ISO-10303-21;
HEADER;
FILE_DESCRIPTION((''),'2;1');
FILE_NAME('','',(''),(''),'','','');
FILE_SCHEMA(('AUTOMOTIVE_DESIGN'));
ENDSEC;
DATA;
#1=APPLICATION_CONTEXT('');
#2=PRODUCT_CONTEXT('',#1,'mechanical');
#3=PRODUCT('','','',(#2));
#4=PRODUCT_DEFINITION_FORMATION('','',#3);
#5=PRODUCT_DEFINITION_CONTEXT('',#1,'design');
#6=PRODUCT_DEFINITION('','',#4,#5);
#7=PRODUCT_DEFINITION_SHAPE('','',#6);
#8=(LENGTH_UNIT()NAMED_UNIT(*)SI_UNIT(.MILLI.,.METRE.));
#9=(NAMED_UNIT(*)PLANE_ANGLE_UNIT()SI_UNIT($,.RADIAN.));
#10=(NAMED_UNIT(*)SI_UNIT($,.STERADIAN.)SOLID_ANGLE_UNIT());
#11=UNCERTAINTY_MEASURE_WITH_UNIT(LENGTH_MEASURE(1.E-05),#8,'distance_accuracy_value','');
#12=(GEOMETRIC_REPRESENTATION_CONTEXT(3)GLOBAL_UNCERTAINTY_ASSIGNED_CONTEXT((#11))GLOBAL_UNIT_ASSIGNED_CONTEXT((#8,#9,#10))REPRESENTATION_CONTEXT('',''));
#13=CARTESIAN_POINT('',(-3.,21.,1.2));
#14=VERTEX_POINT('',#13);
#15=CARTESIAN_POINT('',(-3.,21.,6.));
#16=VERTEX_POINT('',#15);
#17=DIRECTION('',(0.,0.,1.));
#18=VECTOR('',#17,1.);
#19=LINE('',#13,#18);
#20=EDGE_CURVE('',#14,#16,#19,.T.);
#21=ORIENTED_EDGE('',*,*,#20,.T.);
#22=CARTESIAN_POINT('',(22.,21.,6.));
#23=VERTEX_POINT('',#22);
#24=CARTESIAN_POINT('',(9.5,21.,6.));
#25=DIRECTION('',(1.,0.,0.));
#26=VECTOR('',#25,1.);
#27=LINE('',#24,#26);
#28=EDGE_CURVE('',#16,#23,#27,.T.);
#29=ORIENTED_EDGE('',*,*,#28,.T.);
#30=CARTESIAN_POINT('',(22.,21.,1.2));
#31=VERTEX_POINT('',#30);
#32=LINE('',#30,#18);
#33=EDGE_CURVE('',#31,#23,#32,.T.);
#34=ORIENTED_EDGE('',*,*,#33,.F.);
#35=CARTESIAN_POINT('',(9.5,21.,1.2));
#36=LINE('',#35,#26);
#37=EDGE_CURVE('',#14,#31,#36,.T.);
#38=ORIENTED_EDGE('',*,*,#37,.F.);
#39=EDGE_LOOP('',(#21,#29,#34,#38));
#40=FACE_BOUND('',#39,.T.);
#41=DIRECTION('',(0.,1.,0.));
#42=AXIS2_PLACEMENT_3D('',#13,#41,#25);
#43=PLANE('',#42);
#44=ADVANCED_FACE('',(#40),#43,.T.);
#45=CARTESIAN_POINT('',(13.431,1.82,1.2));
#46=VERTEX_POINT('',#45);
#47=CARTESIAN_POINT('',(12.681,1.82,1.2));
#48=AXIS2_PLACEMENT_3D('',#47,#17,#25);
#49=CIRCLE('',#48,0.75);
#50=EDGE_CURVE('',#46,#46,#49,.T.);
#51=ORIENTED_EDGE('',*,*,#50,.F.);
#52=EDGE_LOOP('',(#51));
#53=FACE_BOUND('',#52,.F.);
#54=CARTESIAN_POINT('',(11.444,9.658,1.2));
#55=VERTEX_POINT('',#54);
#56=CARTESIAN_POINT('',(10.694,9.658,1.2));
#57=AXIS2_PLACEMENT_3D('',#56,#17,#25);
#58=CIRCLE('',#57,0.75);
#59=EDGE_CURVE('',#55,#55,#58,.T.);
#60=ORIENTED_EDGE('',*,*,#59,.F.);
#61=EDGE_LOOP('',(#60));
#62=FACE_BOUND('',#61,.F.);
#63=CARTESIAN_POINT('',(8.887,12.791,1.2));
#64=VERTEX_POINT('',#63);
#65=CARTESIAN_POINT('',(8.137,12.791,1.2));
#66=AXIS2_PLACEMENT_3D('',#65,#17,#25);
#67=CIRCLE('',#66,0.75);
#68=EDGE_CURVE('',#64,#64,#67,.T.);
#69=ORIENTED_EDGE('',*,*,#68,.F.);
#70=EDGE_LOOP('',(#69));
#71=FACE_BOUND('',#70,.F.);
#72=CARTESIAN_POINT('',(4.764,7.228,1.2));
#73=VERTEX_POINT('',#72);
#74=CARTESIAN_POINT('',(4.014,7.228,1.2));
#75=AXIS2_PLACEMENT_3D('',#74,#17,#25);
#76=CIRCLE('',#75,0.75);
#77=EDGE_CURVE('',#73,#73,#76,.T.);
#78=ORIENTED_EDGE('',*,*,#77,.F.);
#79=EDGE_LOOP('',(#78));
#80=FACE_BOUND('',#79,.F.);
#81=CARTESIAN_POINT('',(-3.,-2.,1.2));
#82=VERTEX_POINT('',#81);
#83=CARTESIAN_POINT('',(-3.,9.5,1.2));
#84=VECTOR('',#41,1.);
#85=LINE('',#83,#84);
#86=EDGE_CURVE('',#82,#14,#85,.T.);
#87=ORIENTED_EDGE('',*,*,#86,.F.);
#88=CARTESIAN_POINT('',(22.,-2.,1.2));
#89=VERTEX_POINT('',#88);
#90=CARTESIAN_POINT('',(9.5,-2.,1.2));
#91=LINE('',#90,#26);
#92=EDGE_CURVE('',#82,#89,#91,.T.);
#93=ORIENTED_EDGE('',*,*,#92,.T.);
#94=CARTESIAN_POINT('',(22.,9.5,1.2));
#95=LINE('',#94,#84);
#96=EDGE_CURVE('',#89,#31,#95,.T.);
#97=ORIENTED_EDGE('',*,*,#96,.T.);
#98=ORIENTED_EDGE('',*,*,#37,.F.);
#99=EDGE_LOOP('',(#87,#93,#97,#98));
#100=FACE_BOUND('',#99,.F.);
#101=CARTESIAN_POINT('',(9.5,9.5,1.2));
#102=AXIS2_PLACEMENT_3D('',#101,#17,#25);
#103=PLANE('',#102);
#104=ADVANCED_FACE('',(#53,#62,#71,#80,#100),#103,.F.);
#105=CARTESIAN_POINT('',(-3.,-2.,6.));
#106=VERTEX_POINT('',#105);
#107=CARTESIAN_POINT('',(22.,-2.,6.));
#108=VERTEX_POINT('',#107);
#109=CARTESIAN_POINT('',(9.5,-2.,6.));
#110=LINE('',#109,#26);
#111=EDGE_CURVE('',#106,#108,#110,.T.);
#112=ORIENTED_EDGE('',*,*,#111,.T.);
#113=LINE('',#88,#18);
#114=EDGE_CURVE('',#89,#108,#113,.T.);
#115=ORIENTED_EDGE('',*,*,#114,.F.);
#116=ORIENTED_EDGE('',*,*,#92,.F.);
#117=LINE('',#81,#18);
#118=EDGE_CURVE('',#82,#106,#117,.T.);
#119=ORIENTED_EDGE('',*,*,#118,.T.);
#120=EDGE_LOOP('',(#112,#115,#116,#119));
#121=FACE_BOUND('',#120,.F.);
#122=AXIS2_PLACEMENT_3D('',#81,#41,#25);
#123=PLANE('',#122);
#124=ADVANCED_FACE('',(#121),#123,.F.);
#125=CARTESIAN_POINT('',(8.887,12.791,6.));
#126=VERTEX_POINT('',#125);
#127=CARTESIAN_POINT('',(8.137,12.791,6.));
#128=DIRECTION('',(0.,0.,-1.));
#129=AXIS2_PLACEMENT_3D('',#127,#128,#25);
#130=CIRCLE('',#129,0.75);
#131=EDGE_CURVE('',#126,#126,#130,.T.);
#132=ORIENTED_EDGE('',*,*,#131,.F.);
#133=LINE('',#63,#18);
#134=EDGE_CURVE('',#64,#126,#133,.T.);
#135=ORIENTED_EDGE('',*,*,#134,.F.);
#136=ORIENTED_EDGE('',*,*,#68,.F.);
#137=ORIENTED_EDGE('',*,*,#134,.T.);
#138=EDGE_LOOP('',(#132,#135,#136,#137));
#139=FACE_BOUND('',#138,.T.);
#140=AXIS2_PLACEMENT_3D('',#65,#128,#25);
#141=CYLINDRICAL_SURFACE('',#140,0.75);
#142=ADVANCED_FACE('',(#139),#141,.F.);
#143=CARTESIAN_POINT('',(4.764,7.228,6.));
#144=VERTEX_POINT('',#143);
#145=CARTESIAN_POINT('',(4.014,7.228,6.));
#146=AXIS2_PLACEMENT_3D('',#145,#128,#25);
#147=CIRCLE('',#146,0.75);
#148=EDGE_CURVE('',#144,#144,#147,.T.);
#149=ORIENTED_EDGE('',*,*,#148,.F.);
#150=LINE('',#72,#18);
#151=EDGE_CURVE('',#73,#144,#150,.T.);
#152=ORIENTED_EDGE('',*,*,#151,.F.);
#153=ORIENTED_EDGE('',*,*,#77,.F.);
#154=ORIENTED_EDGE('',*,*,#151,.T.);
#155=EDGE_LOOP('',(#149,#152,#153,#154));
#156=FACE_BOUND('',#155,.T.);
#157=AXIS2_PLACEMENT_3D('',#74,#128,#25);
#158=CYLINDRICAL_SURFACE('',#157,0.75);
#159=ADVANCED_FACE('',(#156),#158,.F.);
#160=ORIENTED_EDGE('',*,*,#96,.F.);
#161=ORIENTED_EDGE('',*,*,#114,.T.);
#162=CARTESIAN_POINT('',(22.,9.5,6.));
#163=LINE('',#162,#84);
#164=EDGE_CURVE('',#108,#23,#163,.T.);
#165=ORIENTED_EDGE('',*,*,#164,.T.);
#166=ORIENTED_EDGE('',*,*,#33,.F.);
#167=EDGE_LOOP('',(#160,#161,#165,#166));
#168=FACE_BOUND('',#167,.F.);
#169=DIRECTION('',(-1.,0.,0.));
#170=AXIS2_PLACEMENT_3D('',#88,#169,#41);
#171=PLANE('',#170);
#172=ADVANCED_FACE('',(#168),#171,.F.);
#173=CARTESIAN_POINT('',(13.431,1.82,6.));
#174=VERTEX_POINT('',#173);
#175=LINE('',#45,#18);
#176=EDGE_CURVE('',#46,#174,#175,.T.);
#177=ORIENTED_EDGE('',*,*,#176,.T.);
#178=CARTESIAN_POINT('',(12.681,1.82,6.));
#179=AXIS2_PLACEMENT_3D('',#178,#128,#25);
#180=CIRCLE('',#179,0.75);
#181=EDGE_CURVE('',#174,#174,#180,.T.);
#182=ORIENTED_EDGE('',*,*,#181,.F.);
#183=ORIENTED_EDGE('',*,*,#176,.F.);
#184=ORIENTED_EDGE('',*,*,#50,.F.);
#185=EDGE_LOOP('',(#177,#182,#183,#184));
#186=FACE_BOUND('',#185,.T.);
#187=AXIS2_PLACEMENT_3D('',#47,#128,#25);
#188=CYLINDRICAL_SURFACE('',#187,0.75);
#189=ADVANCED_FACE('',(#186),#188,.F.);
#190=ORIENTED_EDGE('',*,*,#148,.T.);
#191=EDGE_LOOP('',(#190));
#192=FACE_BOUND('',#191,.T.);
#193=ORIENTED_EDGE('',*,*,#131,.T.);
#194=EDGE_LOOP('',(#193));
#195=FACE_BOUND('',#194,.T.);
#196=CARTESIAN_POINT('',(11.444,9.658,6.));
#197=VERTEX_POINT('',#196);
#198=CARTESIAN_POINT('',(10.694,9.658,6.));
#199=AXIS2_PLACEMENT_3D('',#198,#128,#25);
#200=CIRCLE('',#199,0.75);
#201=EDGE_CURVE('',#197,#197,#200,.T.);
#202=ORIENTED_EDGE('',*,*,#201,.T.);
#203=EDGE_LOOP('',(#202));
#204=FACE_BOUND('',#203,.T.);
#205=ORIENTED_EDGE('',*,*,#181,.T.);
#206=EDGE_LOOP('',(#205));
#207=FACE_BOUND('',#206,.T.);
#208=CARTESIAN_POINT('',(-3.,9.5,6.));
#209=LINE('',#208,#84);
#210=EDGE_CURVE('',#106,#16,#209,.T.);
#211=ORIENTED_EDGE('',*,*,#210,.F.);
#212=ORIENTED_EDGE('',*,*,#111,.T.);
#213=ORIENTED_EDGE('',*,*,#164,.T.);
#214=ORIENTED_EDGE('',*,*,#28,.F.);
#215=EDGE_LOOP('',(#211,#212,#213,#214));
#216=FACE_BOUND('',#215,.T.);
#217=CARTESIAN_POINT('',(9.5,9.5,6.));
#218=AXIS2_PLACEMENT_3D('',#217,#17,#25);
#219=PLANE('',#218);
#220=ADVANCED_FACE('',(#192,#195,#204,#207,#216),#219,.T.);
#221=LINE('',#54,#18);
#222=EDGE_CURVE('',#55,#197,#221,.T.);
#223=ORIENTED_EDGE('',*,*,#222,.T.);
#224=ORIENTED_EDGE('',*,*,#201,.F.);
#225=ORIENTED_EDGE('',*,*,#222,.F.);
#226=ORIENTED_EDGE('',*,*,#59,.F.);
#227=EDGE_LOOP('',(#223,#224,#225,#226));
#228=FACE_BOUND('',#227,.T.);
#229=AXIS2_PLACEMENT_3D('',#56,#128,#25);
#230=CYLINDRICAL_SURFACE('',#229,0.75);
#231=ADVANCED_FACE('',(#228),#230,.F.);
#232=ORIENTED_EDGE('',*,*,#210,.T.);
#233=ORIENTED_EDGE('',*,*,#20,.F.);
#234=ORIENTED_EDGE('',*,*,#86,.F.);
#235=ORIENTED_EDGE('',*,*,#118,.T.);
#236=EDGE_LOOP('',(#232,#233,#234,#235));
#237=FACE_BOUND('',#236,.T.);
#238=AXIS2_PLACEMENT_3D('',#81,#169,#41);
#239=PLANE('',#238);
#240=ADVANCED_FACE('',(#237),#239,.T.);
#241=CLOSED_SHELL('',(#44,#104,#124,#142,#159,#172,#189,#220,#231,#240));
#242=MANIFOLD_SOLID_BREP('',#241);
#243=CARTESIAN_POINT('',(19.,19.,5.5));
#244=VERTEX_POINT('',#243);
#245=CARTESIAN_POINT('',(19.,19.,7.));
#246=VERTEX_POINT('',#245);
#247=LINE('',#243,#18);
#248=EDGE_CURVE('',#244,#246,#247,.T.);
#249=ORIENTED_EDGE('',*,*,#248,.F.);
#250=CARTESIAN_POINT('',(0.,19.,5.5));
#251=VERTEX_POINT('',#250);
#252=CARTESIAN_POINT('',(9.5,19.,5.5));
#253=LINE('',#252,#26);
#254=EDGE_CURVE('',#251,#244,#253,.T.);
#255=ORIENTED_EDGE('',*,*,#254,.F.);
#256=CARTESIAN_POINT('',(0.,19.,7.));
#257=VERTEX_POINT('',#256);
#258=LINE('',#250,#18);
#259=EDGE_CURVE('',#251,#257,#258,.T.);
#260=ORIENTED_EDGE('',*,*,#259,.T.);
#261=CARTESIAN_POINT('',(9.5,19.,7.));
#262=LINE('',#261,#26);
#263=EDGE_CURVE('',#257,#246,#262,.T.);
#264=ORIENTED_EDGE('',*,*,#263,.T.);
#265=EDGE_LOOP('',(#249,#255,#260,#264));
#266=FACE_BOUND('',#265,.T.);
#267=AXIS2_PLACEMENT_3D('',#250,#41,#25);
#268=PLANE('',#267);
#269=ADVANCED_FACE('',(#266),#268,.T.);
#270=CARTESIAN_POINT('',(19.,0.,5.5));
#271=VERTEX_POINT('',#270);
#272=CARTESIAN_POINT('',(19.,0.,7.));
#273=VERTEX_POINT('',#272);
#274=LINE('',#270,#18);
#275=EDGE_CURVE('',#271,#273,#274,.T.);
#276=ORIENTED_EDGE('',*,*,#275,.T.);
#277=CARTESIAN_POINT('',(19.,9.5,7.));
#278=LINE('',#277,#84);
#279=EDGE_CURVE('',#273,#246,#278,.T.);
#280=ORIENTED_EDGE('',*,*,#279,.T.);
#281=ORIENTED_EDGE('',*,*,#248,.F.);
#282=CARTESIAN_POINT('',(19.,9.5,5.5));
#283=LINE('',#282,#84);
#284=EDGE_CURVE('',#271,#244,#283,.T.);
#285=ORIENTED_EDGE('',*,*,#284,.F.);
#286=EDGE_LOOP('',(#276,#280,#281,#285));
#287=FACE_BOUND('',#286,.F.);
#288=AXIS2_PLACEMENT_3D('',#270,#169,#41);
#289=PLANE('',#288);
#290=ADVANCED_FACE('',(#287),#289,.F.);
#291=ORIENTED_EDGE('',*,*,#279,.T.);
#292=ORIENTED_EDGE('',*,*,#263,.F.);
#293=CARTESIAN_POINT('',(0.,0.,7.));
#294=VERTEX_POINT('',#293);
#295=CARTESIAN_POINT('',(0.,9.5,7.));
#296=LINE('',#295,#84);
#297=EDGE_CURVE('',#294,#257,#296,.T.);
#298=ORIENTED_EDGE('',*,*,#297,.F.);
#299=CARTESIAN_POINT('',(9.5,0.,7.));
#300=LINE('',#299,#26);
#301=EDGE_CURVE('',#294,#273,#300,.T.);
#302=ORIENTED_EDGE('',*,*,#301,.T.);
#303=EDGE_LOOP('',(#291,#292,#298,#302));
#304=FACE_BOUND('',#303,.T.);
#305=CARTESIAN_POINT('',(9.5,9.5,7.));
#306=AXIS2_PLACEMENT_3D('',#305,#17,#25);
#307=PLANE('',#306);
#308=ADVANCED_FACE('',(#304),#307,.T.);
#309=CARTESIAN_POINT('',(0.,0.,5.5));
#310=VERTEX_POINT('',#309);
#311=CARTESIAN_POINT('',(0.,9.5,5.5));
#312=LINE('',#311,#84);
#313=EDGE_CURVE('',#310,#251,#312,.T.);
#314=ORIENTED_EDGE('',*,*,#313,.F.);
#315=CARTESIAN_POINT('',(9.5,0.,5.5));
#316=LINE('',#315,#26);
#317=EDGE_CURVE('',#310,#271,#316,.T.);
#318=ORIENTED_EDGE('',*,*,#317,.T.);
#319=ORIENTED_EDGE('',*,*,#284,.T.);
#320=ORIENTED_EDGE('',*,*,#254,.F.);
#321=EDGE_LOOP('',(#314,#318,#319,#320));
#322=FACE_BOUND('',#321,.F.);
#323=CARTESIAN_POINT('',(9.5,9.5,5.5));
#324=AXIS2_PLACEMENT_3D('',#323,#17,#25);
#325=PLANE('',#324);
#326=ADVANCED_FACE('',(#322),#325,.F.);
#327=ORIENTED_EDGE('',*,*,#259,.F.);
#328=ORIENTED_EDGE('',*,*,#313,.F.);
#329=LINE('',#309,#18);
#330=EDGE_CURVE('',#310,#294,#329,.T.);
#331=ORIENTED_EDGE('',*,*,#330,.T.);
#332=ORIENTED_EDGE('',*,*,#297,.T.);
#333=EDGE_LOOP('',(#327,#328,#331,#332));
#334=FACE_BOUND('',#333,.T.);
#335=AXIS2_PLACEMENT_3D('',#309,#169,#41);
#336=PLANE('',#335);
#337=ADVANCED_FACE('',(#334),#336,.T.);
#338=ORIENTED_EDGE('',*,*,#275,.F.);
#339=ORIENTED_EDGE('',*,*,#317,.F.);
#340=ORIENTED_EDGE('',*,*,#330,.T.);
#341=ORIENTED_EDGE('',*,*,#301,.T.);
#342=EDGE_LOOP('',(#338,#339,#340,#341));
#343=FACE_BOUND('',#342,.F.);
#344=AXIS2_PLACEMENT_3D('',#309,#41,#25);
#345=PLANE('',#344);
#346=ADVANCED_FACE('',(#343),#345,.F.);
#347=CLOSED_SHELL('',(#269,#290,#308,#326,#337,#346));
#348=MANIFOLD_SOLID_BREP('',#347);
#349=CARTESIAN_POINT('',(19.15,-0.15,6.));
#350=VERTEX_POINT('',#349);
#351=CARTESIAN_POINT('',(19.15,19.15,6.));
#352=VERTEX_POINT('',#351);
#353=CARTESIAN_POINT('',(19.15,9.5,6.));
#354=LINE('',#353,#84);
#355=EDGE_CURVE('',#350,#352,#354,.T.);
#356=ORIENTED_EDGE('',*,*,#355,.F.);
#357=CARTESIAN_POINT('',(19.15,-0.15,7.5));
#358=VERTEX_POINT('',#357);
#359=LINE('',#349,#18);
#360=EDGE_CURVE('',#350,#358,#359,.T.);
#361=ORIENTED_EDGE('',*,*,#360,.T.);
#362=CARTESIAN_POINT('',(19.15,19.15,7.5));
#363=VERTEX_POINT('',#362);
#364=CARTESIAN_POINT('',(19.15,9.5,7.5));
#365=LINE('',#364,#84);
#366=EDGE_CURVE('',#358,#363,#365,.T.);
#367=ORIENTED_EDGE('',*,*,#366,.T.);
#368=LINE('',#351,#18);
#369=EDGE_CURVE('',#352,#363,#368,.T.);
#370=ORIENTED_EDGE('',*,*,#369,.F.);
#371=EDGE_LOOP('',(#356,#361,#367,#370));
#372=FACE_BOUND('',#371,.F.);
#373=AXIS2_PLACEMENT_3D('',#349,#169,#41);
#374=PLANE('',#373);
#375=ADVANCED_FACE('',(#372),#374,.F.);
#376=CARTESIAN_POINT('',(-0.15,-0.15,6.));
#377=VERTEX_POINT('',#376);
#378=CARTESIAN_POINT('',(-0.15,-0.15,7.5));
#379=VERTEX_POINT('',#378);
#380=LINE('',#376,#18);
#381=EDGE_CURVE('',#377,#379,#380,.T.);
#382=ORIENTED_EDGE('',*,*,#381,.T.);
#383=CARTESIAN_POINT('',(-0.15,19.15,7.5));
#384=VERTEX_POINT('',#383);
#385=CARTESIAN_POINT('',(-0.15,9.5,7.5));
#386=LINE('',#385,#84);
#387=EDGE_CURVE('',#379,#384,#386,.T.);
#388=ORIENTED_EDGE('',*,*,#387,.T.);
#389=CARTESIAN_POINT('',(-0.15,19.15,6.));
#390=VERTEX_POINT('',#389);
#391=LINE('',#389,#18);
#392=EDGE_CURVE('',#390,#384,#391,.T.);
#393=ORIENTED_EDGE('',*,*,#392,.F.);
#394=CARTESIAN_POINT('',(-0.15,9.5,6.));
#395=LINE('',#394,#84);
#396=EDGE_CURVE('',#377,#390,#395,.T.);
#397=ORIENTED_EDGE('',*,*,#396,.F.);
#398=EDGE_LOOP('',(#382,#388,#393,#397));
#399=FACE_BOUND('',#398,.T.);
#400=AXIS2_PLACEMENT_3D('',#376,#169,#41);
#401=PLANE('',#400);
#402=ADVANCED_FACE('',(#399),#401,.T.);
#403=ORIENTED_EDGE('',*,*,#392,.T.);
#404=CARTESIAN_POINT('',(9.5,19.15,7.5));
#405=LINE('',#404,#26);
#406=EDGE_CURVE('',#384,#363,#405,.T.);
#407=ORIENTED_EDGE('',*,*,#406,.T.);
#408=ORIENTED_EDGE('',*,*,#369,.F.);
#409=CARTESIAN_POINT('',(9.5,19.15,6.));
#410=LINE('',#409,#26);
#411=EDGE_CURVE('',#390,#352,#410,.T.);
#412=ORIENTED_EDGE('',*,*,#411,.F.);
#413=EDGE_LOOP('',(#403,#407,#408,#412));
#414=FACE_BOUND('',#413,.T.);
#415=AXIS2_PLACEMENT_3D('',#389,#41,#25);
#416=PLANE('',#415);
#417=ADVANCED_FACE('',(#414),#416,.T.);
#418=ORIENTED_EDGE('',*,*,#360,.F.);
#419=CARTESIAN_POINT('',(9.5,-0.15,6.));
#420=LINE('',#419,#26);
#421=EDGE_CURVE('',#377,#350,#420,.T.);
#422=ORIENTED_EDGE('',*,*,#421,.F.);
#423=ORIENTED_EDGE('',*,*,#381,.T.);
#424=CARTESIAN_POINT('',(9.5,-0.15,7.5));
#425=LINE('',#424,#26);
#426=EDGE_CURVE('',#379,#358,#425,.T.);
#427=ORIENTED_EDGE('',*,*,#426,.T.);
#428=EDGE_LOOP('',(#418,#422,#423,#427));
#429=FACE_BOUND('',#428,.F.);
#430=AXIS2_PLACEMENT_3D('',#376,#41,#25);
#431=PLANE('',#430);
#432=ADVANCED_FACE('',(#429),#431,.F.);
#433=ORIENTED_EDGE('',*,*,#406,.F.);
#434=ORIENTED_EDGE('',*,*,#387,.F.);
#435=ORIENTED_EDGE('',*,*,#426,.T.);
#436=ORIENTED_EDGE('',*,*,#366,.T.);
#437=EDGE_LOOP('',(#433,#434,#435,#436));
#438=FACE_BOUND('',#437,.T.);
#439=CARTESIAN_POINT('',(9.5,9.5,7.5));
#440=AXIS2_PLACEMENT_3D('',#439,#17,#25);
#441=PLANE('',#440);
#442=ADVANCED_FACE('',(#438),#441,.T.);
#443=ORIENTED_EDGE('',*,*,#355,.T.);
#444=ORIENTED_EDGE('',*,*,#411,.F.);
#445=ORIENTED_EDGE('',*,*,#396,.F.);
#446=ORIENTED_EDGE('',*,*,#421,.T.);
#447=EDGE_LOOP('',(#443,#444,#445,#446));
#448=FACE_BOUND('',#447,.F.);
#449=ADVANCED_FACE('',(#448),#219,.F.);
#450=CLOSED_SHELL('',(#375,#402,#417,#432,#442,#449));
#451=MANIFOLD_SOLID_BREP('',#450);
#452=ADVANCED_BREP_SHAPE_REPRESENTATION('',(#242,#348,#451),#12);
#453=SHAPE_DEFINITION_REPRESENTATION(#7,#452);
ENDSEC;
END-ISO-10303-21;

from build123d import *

# Parameters (mm, degrees)
BOX_W             = 19
BOX_H             = 19
BOX_DEPTH         = 1.5
BOX001_W          = 19.3
BOX001_H          = 19.3
BOX001_DEPTH      = 1.5
CYLINDER003_R     = 0.75
CYLINDER003_DEPTH = 5.8
CYLINDER001_R     = 0.75
CYLINDER001_DEPTH = 5.8
CYLINDER002_R     = 0.75
CYLINDER002_DEPTH = 5.8
CYLINDER_R        = 0.75
CYLINDER_DEPTH    = 5.8
BOX002_W          = 25
BOX002_H          = 23
BOX002_DEPTH      = 4.8


with BuildPart() as board:
    # Box → Box (new body)
    with BuildSketch(Plane.XY.offset(5.5)):
        with Locations((9.5, 9.5)):
            Rectangle(BOX_W, BOX_H)
    extrude(amount=BOX_DEPTH)


with BuildPart() as board_hole:
    # Box001 → Box001 (new body)
    with BuildSketch(Plane(origin=(-0.15, -0.15, 6), x_dir=(1, 0, 0), z_dir=(0, 0, 1))):
        with Locations((9.65, 9.65)):
            Rectangle(BOX001_W, BOX001_H)
    extrude(amount=BOX001_DEPTH)


with BuildPart() as cylinder003:
    # Cylinder003 → Cylinder003 (new body)
    with BuildSketch(Plane(origin=(12.681, 1.82, 1.2), x_dir=(1, 0, 0), z_dir=(0, 0, 1))):
        Circle(CYLINDER003_R)
    extrude(amount=CYLINDER003_DEPTH)


with BuildPart() as cylinder001:
    # Cylinder001 → Cylinder001 (new body)
    with BuildSketch(Plane(origin=(10.694, 9.658, 1.2), x_dir=(1, 0, 0), z_dir=(0, 0, 1))):
        Circle(CYLINDER001_R)
    extrude(amount=CYLINDER001_DEPTH)


with BuildPart() as cylinder002:
    # Cylinder002 → Cylinder002 (new body)
    with BuildSketch(Plane(origin=(4.014, 7.228, 1.2), x_dir=(1, 0, 0), z_dir=(0, 0, 1))):
        Circle(CYLINDER002_R)
    extrude(amount=CYLINDER002_DEPTH)


with BuildPart() as fusion:
    # Cylinder → Cylinder (new body)
    with BuildSketch(Plane(origin=(8.137, 12.791, 1.2), x_dir=(1, 0, 0), z_dir=(0, 0, 1))):
        Circle(CYLINDER_R)
    extrude(amount=CYLINDER_DEPTH)

    # Fusion: union Cylinder003, Cylinder001, Cylinder002
    add(cylinder003.part)
    add(cylinder001.part)
    add(cylinder002.part)


with BuildPart() as cut:
    # Box002 → Box002 (new body)
    with BuildSketch(Plane(origin=(-3, -2, 1.2), x_dir=(1, 0, 0), z_dir=(0, 0, 1))):
        with Locations((12.5, 11.5)):
            Rectangle(BOX002_W, BOX002_H)
    extrude(amount=BOX002_DEPTH)

    # Cut: cut Fusion
    add(fusion.part, mode=Mode.SUBTRACT)


solid = Compound([board.part, board_hole.part, cut.part])
